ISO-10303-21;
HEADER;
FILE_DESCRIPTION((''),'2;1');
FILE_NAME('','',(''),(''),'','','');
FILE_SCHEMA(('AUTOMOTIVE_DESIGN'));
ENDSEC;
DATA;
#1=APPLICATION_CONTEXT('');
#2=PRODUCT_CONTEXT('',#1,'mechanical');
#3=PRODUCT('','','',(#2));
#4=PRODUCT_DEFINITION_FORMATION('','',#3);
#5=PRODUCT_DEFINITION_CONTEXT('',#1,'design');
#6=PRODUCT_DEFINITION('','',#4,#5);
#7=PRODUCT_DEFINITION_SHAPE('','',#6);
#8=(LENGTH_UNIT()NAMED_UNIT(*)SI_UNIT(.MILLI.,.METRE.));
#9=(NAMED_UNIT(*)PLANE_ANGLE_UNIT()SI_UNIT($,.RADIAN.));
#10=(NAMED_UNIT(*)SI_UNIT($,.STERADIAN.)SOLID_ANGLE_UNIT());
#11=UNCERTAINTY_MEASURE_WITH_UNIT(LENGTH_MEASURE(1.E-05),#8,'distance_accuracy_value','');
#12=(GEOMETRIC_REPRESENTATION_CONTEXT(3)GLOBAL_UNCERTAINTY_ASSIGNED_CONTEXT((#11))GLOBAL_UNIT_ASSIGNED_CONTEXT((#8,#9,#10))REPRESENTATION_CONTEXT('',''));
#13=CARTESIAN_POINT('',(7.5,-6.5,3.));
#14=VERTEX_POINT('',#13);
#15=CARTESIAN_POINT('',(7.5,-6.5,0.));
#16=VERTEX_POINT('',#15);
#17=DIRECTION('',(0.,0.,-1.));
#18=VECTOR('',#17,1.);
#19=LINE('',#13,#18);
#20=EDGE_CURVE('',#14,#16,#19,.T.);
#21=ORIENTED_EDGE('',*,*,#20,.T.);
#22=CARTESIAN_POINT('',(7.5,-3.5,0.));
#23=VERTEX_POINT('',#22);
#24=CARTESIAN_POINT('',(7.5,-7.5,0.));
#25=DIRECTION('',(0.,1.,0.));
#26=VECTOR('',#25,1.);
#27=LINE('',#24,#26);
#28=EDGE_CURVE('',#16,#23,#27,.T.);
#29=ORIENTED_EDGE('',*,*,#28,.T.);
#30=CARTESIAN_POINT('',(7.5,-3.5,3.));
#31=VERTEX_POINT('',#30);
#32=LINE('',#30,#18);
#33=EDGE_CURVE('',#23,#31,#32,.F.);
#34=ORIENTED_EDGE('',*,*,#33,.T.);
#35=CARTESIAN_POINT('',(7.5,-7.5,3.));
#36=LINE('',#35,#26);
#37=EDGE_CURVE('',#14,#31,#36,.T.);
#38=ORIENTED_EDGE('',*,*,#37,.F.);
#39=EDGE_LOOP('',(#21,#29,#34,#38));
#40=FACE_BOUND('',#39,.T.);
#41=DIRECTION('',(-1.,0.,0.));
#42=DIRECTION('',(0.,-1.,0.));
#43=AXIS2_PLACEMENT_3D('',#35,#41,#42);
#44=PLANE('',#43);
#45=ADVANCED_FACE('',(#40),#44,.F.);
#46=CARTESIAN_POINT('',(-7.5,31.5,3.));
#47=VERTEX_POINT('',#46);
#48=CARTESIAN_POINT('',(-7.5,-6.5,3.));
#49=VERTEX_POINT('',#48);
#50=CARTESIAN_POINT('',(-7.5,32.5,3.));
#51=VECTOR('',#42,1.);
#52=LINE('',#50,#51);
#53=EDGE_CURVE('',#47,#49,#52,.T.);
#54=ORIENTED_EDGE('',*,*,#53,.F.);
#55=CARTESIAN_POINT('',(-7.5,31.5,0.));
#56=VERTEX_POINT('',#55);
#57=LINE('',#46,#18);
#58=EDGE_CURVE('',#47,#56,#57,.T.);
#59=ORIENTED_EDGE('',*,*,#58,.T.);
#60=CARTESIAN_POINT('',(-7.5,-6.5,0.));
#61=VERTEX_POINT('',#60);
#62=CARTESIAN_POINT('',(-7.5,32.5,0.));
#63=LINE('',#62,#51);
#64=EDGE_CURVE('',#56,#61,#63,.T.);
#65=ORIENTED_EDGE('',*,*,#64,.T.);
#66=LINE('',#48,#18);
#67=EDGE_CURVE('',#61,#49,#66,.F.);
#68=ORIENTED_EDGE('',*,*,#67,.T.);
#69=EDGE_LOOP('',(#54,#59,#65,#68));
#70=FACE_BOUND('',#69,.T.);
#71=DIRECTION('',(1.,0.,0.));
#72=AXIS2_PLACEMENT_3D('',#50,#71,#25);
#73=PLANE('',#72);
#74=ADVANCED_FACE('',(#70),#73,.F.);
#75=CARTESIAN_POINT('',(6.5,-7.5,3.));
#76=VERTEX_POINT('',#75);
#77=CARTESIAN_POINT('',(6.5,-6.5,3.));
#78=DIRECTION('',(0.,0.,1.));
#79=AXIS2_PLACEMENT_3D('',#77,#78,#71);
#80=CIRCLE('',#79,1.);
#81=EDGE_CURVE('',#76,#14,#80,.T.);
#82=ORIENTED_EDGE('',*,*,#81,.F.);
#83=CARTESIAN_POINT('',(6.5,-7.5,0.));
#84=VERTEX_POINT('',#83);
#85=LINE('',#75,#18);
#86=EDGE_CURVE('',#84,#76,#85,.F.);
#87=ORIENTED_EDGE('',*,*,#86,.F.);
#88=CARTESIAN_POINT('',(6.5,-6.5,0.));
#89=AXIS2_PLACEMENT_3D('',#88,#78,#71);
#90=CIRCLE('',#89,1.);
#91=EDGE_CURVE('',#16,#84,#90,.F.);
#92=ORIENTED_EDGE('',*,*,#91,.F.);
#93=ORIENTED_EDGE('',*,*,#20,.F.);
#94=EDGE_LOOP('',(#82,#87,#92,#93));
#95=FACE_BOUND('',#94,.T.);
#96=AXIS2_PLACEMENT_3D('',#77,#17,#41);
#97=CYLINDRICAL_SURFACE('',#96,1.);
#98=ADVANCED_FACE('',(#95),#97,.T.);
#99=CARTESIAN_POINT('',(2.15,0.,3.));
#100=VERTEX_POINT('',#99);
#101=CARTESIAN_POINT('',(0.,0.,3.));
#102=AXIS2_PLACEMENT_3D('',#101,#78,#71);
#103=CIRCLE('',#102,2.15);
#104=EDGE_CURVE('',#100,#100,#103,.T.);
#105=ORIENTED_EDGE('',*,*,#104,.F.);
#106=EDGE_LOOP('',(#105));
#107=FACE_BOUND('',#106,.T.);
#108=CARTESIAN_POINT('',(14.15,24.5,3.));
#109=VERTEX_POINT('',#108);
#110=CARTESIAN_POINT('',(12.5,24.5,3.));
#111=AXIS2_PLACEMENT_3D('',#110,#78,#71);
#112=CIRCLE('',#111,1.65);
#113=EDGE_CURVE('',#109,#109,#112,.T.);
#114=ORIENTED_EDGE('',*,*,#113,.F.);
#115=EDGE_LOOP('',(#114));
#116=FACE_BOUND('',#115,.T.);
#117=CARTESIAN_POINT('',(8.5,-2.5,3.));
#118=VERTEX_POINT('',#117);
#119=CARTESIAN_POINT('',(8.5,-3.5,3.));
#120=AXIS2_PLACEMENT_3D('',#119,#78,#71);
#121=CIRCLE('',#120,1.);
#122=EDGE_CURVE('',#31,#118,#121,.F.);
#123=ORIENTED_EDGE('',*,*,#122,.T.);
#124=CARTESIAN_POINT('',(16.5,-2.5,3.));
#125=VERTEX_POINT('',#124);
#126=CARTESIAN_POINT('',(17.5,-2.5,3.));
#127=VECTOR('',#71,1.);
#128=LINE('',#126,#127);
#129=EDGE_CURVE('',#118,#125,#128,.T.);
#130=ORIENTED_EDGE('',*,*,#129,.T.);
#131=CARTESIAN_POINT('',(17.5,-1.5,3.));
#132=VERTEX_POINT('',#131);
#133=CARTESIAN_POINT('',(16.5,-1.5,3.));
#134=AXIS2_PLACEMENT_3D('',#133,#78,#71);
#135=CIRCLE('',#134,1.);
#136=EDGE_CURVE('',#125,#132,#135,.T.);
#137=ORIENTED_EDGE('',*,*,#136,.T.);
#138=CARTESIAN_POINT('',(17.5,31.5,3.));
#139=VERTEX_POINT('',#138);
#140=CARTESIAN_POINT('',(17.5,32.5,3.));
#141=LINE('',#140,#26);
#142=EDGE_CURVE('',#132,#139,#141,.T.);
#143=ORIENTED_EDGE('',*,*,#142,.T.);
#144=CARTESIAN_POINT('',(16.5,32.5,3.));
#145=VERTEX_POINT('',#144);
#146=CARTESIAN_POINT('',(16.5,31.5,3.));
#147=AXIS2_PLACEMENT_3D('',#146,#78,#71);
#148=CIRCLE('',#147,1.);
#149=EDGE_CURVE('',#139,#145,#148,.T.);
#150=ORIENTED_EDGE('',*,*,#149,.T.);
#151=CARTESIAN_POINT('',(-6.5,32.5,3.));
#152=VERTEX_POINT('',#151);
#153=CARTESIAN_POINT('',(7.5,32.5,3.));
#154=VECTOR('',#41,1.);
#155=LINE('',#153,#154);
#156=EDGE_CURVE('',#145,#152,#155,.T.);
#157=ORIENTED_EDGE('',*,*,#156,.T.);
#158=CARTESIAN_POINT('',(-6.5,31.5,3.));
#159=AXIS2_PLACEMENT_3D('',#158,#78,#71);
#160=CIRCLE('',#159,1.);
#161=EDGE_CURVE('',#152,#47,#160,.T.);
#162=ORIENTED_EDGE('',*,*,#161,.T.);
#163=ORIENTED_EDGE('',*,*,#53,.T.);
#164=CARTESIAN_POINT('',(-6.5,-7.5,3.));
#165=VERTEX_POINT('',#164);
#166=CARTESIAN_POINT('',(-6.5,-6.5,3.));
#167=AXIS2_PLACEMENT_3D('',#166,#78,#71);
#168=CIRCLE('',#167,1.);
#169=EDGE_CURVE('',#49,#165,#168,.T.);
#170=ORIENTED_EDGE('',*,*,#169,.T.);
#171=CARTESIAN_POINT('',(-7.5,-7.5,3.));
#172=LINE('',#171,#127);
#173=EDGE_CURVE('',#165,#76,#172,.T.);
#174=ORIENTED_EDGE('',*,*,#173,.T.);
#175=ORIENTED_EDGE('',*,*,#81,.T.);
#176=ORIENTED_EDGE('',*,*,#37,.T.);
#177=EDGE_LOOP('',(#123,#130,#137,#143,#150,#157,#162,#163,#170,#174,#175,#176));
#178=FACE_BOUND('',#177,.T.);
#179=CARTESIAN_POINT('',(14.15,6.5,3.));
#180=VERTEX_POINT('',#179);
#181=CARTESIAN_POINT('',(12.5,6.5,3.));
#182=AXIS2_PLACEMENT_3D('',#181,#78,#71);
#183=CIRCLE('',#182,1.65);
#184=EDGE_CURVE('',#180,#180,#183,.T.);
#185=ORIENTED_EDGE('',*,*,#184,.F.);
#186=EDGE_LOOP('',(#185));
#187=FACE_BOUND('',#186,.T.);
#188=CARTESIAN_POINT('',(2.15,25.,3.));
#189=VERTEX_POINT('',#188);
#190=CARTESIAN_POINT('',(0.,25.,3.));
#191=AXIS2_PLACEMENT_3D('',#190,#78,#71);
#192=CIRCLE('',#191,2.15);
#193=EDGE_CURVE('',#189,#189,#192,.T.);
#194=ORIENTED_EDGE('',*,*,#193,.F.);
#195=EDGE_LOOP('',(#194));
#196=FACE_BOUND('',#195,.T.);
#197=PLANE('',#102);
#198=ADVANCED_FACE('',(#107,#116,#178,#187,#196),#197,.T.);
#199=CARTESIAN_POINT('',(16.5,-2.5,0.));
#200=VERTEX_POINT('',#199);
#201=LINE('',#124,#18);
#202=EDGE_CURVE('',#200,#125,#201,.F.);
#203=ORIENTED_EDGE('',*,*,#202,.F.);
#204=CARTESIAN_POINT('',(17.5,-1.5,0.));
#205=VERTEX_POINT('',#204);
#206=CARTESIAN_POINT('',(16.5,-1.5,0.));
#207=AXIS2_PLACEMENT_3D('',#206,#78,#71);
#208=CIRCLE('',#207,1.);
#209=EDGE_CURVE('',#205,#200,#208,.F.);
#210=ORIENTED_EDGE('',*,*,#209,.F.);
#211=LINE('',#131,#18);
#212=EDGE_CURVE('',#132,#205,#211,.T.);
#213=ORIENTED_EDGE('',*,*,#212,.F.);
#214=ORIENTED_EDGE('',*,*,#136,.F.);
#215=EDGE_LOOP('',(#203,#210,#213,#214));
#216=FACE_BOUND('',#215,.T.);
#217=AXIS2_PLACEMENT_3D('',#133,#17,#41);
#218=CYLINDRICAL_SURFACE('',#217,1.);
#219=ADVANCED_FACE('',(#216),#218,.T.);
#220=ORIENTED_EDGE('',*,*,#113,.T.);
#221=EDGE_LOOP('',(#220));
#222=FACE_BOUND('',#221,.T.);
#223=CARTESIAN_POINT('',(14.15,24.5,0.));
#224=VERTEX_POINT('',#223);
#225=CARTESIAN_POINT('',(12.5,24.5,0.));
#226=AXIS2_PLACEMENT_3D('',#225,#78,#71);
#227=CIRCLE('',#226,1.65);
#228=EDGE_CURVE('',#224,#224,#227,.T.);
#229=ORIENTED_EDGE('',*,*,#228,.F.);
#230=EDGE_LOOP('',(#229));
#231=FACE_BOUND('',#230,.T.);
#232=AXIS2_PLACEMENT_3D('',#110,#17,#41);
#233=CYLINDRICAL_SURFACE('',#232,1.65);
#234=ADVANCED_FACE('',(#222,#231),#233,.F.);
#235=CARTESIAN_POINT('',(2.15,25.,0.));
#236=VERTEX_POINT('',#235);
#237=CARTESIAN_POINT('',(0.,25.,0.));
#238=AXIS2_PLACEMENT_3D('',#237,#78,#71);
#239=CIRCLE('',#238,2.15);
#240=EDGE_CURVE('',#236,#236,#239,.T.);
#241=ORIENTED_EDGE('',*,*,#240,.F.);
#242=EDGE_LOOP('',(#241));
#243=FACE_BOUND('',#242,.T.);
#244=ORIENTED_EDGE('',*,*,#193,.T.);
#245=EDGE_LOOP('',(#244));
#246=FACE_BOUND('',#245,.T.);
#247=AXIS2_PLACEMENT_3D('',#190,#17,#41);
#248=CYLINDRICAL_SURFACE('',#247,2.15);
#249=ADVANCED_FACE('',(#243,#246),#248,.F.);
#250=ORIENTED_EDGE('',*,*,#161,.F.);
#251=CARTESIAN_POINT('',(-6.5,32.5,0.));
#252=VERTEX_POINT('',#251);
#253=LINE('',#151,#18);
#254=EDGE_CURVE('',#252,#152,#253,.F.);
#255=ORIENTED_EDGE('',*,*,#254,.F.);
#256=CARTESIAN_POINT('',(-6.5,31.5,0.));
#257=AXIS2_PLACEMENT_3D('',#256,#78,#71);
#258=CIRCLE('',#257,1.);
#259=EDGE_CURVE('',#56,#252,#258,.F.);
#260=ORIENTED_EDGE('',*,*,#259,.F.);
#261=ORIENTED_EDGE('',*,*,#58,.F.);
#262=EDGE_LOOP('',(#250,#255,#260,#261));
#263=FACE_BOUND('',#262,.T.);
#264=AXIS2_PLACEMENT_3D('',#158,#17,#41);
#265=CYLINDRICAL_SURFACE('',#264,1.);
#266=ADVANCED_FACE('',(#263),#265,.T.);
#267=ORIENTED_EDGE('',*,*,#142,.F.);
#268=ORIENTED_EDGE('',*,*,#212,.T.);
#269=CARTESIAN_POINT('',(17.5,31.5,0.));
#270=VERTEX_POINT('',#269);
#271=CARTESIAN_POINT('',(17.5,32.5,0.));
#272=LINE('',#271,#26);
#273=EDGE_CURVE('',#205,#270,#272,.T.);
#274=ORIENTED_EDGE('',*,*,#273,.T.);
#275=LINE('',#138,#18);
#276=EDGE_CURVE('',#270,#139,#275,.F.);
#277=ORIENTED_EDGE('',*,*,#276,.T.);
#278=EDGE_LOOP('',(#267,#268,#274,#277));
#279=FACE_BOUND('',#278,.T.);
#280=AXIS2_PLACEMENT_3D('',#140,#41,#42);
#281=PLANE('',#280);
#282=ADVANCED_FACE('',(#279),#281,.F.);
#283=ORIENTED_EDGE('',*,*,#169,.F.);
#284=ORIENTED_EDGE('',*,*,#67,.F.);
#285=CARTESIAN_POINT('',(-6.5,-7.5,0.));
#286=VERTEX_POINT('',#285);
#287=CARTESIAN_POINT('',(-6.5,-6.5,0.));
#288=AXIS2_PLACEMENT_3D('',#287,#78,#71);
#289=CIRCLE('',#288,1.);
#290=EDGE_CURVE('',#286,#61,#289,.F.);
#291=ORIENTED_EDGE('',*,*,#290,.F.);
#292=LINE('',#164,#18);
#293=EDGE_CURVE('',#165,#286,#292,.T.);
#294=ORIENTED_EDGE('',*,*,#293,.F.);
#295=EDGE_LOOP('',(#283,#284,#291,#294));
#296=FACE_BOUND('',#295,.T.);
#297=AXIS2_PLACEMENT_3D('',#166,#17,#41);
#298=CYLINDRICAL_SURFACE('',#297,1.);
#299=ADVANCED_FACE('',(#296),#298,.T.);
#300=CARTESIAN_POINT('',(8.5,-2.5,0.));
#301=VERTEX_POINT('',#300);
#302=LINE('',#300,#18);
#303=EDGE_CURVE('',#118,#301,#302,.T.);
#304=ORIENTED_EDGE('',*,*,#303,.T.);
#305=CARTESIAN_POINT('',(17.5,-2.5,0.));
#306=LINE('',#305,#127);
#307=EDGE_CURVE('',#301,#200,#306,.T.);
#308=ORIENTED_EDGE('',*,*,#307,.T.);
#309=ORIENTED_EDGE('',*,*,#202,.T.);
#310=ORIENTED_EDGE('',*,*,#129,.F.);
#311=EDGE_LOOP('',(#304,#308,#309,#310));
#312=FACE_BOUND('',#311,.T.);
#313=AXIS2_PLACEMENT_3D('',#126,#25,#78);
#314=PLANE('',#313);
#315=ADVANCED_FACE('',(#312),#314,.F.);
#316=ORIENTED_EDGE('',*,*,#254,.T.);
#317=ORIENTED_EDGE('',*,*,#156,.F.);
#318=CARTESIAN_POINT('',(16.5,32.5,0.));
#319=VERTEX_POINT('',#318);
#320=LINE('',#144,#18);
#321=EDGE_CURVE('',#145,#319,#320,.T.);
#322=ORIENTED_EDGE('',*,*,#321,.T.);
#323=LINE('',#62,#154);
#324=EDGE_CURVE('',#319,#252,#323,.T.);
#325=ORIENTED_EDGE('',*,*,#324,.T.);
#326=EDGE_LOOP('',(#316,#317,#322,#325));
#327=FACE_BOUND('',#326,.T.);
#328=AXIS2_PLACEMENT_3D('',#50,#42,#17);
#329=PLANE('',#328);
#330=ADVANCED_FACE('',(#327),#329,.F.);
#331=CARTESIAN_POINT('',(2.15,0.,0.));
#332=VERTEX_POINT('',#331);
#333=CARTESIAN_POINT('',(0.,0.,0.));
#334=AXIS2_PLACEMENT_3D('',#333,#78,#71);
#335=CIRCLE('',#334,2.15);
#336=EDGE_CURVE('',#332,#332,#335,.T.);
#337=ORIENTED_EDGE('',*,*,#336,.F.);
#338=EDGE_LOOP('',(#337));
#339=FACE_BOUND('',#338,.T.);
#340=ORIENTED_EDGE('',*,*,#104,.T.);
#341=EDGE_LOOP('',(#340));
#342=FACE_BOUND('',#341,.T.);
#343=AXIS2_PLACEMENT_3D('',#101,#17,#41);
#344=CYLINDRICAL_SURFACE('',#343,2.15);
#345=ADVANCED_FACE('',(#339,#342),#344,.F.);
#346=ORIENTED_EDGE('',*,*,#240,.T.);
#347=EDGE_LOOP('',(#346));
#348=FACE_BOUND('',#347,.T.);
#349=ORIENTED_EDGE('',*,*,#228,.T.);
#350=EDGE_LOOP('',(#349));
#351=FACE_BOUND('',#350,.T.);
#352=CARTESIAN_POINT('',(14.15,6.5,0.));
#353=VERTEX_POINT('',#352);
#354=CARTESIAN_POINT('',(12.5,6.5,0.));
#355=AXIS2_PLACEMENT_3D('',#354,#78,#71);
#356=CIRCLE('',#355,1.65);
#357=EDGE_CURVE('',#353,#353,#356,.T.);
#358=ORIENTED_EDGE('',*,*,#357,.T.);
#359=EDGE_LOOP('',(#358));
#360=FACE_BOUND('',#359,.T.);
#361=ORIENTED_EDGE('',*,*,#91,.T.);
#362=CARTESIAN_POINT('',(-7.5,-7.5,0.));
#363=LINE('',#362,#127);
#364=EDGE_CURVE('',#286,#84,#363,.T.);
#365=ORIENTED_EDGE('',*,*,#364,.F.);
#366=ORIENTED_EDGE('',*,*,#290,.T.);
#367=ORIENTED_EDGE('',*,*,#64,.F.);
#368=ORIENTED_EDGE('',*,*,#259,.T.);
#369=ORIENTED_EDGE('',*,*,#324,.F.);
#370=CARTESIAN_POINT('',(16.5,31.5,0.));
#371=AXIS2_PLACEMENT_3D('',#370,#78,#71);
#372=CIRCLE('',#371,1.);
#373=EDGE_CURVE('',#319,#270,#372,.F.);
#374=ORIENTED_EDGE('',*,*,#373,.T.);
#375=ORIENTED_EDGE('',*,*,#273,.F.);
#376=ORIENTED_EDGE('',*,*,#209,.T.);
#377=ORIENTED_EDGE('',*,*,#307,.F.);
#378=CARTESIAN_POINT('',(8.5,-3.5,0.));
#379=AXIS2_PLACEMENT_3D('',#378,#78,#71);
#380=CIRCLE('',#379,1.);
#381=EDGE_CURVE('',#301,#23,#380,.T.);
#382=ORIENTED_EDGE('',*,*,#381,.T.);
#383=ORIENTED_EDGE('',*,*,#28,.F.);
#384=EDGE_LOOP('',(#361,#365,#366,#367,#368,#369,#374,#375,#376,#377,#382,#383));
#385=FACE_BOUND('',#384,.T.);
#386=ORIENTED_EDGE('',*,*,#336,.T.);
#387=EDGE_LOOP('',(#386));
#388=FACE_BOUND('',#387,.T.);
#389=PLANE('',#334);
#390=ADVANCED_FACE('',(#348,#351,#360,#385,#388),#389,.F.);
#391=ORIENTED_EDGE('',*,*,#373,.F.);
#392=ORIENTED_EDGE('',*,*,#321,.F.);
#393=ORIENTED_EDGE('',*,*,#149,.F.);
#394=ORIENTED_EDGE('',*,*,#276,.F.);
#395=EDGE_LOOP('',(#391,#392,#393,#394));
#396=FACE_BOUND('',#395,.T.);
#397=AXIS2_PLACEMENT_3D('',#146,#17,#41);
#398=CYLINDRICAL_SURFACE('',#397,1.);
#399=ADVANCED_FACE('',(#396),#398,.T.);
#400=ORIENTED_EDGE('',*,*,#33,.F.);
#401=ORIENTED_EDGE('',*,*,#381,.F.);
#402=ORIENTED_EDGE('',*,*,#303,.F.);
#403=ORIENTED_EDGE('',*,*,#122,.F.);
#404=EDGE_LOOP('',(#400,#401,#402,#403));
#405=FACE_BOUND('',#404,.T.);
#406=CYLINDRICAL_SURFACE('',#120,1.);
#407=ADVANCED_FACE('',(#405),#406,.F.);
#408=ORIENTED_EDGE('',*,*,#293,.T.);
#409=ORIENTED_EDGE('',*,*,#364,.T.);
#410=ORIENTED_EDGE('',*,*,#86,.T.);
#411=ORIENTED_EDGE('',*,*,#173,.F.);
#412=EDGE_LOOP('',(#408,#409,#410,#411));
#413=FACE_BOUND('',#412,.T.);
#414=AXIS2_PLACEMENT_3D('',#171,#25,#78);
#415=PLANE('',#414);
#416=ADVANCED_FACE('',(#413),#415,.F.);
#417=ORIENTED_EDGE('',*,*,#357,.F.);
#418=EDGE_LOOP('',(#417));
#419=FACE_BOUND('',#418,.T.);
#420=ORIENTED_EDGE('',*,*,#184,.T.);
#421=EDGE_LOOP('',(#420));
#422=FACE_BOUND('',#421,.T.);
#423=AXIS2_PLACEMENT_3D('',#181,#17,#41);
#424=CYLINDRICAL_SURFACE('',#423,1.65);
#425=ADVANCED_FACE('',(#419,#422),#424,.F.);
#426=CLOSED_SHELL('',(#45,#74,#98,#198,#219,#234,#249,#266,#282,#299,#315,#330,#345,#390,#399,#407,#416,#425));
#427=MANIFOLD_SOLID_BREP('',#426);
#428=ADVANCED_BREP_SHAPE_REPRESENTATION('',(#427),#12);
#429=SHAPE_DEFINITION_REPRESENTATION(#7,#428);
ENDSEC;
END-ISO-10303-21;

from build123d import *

# Parameters (mm, degrees)
SKETCH_1_R      = 2.15
SKETCH_1_R_2    = 1.65
EXTRUDE_1_DEPTH = 3
FILLET_1_R      = 1


with BuildPart() as part:
    # 草图1 → 凸台-拉伸1 (new body)
    with BuildSketch(Plane.XY):
        Polygon((7.5, 32.5), (17.5, 32.5), (17.5, -2.5), (7.5, -2.5), (7.5, -7.5), (-7.5, -7.5), (-7.5, 32.5), align=None)
        Circle(SKETCH_1_R, mode=Mode.SUBTRACT)
        with Locations((0, 25)):
            Circle(SKETCH_1_R, mode=Mode.SUBTRACT)
        with Locations((12.5, 24.5)):
            Circle(SKETCH_1_R_2, mode=Mode.SUBTRACT)
        with Locations((12.5, 6.5)):
            Circle(SKETCH_1_R_2, mode=Mode.SUBTRACT)
    extrude(amount=EXTRUDE_1_DEPTH)

    # 圆角1
    fillet_1_edges = [part.edges().sort_by_distance(p)[0] for p in [
        (7.5, -7.5, 1.5),
        (-7.5, -7.5, 1.5),
        (-7.5, 32.5, 1.5),
        (17.5, 32.5, 1.5),
        (17.5, -2.5, 1.5),
        (7.5, -2.5, 1.5),
    ]]
    fillet(fillet_1_edges, radius=FILLET_1_R)


solid = part.part
